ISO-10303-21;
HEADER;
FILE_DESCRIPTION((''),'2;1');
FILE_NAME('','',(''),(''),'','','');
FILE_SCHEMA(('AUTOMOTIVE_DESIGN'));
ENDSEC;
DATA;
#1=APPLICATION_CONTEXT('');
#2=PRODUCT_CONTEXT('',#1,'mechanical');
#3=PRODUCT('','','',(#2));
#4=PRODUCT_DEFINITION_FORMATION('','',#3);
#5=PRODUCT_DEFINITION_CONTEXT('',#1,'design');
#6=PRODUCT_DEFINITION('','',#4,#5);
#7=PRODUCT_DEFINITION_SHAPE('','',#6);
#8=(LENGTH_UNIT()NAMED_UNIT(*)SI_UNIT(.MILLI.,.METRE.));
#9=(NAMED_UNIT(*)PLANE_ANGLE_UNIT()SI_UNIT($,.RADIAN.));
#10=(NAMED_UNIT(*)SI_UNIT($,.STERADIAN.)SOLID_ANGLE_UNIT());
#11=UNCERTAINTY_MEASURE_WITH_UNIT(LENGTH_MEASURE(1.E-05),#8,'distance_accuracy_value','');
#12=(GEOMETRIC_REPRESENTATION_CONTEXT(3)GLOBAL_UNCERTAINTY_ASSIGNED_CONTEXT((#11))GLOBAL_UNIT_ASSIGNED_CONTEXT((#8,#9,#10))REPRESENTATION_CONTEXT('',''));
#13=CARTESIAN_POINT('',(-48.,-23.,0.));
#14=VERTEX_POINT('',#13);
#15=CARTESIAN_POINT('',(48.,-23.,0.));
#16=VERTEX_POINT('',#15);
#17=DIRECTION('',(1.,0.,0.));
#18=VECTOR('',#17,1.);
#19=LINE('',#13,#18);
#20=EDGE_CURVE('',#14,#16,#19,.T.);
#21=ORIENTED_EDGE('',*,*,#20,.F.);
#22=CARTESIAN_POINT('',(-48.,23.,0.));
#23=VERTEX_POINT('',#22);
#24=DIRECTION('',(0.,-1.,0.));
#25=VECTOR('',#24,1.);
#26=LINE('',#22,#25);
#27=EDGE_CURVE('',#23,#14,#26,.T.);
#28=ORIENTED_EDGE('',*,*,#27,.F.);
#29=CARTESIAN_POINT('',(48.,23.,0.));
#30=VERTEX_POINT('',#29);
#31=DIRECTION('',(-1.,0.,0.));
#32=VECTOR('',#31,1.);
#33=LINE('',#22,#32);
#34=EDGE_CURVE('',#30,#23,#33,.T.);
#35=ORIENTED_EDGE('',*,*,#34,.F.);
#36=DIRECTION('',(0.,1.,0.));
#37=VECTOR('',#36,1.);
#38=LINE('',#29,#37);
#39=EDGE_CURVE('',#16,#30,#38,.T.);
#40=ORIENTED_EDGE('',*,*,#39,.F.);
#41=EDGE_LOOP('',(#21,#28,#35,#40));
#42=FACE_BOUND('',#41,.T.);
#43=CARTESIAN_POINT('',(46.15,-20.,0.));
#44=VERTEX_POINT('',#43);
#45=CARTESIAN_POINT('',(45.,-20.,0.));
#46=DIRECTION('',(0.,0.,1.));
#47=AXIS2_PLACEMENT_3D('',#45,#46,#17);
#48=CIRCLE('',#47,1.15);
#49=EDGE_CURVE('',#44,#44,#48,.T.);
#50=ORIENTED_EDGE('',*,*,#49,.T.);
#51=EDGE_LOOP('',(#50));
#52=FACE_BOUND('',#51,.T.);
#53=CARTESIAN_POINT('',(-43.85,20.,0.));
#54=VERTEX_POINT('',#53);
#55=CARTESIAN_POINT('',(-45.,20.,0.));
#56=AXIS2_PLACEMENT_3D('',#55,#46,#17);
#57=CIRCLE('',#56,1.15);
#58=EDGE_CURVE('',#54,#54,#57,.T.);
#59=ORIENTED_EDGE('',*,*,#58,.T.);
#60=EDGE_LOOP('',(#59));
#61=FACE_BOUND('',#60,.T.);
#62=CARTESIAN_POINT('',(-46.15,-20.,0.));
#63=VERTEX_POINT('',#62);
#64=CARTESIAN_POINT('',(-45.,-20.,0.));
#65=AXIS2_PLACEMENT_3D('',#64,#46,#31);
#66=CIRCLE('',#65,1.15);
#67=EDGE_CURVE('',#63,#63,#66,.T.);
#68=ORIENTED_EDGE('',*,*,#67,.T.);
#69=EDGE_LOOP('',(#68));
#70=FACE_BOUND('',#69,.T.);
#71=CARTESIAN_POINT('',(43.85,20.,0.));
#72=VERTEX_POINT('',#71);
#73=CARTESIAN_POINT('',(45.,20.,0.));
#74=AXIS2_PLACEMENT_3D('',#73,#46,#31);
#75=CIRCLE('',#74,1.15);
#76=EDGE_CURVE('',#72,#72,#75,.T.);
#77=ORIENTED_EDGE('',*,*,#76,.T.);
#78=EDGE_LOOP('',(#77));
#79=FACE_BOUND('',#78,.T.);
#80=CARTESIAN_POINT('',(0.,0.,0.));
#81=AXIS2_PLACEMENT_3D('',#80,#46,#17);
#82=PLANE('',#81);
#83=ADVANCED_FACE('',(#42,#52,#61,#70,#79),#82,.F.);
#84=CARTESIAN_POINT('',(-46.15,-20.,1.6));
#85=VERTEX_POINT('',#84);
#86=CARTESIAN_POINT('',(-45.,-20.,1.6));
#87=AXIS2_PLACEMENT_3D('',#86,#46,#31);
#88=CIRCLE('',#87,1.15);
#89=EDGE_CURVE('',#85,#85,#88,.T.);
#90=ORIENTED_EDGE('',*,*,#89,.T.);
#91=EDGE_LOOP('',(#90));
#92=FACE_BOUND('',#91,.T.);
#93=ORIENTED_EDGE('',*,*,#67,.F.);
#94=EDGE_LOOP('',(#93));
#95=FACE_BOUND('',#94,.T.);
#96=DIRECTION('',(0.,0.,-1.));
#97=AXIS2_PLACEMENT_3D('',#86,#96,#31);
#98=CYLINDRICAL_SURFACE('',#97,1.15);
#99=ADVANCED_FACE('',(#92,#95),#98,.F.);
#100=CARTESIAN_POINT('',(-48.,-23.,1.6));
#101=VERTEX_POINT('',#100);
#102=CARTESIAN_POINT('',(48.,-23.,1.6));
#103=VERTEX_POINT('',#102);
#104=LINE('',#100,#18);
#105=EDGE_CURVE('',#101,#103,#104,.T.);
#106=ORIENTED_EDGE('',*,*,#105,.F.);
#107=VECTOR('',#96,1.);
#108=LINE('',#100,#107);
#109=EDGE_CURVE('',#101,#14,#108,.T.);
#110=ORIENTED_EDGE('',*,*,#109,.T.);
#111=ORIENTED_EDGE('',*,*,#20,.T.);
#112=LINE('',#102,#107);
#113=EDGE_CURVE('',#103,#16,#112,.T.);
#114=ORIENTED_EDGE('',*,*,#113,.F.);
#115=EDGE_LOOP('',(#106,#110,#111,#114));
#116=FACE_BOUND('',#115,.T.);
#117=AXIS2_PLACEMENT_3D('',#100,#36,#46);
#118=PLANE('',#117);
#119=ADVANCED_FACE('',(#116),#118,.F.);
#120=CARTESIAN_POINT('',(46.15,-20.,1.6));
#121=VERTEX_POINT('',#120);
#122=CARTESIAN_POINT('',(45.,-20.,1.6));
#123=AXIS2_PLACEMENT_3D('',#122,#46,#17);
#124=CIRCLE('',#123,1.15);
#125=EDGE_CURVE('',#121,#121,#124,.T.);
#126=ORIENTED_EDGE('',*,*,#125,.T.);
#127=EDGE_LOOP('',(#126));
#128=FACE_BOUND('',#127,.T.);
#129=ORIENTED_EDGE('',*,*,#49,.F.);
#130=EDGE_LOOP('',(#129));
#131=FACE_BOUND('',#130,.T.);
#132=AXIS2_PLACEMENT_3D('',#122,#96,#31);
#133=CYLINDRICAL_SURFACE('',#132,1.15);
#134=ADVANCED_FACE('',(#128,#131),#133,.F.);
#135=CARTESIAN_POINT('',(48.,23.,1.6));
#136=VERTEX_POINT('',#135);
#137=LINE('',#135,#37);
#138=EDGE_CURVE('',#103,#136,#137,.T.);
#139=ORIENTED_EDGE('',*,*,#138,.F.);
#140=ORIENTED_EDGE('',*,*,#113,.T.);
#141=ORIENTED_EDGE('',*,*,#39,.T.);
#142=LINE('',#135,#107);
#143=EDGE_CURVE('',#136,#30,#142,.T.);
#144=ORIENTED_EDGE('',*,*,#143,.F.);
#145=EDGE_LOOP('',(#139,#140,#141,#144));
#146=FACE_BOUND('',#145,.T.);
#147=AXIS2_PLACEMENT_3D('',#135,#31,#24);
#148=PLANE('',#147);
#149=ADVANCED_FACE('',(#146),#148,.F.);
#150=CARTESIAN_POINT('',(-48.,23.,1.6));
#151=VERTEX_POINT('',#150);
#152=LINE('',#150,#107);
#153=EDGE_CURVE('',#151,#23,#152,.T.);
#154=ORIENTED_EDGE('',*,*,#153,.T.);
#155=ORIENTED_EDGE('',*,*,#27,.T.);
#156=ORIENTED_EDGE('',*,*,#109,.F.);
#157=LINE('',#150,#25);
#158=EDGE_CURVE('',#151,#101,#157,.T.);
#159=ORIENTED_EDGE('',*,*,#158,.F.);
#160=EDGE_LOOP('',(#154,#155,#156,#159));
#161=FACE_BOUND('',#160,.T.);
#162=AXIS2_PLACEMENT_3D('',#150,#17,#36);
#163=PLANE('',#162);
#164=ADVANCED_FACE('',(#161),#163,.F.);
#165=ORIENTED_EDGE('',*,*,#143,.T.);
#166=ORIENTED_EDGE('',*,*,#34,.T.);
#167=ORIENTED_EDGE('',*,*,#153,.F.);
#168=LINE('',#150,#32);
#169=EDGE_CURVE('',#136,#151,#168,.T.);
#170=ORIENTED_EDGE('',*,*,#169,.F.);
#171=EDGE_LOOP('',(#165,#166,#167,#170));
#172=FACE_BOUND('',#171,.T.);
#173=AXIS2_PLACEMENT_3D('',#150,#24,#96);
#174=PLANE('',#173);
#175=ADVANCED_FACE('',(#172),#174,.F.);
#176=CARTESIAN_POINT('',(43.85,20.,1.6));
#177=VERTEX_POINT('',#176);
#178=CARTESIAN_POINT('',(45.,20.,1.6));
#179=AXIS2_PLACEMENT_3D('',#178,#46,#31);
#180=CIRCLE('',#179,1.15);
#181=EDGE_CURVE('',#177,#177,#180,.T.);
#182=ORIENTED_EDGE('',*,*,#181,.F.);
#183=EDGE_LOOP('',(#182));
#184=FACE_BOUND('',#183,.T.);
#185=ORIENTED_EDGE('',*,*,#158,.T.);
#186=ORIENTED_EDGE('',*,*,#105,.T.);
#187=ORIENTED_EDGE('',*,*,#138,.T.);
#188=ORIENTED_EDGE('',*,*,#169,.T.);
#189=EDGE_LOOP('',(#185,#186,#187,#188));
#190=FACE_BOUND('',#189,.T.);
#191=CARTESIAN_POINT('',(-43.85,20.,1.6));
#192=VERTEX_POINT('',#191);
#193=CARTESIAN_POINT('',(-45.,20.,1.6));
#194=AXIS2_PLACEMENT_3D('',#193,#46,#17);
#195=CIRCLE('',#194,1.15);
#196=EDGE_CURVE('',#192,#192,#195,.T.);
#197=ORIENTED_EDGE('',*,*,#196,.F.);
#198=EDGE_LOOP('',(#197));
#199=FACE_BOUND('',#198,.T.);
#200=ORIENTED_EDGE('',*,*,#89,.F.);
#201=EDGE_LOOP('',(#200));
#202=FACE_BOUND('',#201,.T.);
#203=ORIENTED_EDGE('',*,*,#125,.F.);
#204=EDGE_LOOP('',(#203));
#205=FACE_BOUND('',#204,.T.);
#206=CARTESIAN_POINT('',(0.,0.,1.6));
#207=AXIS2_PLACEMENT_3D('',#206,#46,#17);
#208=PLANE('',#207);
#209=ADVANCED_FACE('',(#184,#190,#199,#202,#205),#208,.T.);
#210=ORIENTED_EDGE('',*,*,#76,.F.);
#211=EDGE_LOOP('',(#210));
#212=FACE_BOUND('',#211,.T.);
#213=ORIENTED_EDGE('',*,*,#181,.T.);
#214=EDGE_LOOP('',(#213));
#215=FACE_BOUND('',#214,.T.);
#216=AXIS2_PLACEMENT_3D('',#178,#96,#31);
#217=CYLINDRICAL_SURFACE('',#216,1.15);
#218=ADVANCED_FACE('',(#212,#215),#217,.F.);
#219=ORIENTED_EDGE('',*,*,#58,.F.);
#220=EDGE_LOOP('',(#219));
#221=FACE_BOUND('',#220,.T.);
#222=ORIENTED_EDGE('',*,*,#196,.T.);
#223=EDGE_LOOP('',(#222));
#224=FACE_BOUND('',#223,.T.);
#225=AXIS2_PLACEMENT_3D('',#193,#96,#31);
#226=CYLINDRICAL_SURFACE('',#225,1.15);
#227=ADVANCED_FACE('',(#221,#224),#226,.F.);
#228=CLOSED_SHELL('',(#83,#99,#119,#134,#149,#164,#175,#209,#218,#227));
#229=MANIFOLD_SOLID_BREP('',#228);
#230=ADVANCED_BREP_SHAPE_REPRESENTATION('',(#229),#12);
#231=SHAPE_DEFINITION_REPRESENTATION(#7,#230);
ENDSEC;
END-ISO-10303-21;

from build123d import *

# Parameters (mm, degrees)
ESQUISSE1_W        = 96
ESQUISSE1_H        = 46
ESQUISSE1_R        = 1.15
BOSS_EXTRU_1_DEPTH = 1.6


with BuildPart() as part:
    # Esquisse1 → Boss.-Extru.1 (new body)
    with BuildSketch(Plane.XY):
        Rectangle(ESQUISSE1_W, ESQUISSE1_H)
        with Locations((-45, 20)):
            Circle(ESQUISSE1_R, mode=Mode.SUBTRACT)
        with Locations(Location((45, 20, 0), (0, 0, 180))):
            Circle(ESQUISSE1_R, mode=Mode.SUBTRACT)
        with Locations(Location((-45, -20, 0), (0, 0, 180))):
            Circle(ESQUISSE1_R, mode=Mode.SUBTRACT)
        with Locations((45, -20)):
            Circle(ESQUISSE1_R, mode=Mode.SUBTRACT)
    extrude(amount=BOSS_EXTRU_1_DEPTH)


solid = part.part
